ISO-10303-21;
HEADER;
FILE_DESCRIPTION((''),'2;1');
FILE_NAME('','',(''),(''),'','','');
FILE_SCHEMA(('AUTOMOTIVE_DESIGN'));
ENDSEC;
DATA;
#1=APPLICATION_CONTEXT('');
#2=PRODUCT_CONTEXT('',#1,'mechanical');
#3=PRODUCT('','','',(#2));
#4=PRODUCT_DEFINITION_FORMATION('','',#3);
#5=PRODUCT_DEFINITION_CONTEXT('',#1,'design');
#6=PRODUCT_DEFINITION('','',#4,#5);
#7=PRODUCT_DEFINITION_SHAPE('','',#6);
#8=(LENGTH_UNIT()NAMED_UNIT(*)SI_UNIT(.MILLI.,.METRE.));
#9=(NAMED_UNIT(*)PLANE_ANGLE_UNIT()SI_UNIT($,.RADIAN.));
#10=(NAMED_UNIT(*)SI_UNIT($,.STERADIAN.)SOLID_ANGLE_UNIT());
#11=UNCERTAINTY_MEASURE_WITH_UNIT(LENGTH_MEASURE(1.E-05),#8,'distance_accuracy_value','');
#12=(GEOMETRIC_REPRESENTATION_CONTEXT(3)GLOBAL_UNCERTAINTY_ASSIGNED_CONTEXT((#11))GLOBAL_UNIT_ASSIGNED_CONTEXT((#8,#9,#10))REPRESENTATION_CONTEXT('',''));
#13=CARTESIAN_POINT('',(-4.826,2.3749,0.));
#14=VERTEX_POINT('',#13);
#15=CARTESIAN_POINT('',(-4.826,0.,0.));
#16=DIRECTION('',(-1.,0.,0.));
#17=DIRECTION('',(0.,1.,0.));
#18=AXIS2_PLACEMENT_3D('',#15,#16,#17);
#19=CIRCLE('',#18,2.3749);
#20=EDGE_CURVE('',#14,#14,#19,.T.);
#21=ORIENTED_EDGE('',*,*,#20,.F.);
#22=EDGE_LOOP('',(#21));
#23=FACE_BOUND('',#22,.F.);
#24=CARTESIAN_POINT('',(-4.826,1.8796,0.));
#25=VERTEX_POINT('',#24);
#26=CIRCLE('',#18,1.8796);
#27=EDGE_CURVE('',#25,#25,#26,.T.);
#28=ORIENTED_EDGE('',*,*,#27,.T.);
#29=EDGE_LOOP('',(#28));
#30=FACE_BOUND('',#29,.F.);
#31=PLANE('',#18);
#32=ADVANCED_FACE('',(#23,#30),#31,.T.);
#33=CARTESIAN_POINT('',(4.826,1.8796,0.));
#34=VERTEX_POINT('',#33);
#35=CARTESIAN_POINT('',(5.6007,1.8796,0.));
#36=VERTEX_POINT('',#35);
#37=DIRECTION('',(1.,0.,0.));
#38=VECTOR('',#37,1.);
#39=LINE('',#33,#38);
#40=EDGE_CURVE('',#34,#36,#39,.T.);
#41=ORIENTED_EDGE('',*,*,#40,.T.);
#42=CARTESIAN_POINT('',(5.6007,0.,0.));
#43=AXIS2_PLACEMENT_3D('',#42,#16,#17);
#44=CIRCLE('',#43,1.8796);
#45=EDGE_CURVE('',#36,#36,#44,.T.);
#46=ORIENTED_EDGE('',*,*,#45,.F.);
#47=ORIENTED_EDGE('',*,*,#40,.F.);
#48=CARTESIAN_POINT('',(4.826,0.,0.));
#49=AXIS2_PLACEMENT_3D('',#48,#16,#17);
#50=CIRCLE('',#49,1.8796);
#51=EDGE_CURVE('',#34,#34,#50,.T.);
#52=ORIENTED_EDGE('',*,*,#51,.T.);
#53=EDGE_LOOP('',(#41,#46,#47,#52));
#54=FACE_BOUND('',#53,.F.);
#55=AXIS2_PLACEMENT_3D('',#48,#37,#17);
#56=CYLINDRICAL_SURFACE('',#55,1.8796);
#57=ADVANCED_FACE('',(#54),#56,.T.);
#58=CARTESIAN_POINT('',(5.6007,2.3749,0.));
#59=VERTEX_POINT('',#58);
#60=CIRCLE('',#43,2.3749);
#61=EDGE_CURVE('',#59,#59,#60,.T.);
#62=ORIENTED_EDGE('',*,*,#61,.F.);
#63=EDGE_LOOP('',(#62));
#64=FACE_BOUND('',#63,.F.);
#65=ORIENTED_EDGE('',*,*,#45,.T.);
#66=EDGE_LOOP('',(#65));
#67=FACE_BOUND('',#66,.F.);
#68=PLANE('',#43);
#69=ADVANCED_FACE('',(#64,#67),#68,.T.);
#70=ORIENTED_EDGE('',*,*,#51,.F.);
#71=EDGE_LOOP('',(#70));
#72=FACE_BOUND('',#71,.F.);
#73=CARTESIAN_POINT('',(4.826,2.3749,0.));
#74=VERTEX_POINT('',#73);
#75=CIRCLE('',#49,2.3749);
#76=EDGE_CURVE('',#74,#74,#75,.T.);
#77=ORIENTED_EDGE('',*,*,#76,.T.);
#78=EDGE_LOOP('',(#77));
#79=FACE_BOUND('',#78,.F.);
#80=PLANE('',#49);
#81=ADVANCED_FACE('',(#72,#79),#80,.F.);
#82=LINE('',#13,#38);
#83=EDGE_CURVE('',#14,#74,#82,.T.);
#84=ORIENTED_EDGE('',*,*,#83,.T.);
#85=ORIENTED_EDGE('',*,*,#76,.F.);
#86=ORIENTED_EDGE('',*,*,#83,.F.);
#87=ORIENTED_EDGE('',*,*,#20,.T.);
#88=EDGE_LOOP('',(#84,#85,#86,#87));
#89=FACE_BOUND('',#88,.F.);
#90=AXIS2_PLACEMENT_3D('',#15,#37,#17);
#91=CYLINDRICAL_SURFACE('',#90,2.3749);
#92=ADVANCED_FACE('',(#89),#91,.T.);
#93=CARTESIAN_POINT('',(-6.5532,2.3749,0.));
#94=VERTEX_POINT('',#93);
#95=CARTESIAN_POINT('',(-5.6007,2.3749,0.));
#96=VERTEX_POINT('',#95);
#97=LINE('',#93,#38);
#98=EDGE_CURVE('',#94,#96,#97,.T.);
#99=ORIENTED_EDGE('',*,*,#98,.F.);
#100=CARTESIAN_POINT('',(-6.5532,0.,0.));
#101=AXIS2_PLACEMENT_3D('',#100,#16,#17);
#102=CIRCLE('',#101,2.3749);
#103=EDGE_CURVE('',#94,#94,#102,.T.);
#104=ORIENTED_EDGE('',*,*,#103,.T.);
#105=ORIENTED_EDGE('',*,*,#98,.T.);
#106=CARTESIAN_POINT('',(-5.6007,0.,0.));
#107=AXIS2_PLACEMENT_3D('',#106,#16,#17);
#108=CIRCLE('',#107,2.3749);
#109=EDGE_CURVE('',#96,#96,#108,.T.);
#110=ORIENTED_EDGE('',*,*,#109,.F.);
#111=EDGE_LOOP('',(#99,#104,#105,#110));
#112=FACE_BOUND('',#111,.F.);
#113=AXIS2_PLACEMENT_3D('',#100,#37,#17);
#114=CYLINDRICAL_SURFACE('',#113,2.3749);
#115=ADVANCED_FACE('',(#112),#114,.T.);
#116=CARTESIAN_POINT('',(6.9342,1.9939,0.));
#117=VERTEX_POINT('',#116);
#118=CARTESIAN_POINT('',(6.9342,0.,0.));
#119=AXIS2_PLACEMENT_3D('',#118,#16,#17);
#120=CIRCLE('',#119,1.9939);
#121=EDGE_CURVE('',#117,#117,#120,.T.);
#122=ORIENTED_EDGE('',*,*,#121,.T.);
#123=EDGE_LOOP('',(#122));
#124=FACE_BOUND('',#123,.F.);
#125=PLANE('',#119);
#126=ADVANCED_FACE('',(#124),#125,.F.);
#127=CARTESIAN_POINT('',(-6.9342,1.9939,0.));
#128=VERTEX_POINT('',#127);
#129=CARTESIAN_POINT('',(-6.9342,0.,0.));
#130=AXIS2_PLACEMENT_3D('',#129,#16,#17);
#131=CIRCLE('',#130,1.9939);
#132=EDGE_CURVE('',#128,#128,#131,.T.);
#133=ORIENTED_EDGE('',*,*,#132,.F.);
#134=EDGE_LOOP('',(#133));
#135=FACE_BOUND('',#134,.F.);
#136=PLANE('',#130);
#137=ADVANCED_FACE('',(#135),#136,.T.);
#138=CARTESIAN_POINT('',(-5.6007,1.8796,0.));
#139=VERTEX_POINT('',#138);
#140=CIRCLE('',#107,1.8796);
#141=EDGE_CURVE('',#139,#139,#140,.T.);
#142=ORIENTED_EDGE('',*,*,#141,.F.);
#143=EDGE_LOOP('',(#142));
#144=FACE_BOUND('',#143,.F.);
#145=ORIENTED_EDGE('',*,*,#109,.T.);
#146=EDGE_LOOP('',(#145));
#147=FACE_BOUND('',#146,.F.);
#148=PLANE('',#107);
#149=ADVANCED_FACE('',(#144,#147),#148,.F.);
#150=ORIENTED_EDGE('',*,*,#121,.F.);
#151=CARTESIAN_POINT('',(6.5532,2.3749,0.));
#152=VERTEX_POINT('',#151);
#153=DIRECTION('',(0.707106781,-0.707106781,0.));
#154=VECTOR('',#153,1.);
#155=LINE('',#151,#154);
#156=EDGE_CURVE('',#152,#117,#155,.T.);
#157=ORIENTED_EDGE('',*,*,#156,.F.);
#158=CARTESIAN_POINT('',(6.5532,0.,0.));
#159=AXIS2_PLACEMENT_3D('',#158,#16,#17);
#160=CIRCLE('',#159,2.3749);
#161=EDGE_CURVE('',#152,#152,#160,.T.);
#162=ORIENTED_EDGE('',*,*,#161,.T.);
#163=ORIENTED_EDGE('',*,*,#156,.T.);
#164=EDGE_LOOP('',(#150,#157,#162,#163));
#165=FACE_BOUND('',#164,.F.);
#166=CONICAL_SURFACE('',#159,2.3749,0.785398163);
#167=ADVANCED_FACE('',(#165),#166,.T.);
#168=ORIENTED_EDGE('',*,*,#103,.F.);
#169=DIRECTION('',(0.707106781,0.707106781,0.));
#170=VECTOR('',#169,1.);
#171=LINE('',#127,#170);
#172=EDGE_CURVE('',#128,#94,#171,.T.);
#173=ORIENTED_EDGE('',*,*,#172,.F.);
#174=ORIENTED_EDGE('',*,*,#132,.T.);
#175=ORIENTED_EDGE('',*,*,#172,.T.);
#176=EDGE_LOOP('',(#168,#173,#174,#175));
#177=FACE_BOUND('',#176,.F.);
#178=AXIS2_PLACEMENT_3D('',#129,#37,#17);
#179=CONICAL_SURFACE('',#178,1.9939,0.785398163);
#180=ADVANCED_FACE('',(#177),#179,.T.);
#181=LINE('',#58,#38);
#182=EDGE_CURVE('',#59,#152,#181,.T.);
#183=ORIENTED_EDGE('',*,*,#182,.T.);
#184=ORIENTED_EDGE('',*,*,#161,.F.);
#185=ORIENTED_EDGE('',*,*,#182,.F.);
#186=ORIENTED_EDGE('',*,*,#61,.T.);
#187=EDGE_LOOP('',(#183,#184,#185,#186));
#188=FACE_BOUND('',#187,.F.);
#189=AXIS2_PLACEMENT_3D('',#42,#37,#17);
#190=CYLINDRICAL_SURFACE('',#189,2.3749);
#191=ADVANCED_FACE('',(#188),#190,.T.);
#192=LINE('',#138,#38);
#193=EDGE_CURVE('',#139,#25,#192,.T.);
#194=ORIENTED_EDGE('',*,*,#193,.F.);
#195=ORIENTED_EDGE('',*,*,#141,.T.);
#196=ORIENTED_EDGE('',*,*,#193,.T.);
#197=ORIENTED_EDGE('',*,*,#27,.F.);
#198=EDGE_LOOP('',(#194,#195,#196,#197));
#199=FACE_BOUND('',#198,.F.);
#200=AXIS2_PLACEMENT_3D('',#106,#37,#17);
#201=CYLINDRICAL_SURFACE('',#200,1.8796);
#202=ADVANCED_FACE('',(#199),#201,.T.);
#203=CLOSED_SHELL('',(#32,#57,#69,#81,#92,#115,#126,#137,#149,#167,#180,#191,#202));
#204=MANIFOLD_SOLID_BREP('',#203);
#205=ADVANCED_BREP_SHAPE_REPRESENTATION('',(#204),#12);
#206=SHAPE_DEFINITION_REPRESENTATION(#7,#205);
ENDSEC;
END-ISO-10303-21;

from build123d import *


with BuildPart() as part:
    # Sketch1 → Revolve1 (revolve)
    with BuildSketch(Plane.XY):
        Polygon((-6.9342, 0), (-6.9342, 1.9939), (-6.5532, 2.3749), (-5.6007, 2.3749), (-5.6007, 1.8796), (-4.826, 1.8796), (-4.826, 2.3749), (4.826, 2.3749), (4.826, 1.8796), (5.6007, 1.8796), (5.6007, 2.3749), (6.5532, 2.3749), (6.9342, 1.9939), (6.9342, 0), align=None)
    revolve(axis=Axis((6.9342, 0, 0), (-1, 0, 0)))


solid = part.part
